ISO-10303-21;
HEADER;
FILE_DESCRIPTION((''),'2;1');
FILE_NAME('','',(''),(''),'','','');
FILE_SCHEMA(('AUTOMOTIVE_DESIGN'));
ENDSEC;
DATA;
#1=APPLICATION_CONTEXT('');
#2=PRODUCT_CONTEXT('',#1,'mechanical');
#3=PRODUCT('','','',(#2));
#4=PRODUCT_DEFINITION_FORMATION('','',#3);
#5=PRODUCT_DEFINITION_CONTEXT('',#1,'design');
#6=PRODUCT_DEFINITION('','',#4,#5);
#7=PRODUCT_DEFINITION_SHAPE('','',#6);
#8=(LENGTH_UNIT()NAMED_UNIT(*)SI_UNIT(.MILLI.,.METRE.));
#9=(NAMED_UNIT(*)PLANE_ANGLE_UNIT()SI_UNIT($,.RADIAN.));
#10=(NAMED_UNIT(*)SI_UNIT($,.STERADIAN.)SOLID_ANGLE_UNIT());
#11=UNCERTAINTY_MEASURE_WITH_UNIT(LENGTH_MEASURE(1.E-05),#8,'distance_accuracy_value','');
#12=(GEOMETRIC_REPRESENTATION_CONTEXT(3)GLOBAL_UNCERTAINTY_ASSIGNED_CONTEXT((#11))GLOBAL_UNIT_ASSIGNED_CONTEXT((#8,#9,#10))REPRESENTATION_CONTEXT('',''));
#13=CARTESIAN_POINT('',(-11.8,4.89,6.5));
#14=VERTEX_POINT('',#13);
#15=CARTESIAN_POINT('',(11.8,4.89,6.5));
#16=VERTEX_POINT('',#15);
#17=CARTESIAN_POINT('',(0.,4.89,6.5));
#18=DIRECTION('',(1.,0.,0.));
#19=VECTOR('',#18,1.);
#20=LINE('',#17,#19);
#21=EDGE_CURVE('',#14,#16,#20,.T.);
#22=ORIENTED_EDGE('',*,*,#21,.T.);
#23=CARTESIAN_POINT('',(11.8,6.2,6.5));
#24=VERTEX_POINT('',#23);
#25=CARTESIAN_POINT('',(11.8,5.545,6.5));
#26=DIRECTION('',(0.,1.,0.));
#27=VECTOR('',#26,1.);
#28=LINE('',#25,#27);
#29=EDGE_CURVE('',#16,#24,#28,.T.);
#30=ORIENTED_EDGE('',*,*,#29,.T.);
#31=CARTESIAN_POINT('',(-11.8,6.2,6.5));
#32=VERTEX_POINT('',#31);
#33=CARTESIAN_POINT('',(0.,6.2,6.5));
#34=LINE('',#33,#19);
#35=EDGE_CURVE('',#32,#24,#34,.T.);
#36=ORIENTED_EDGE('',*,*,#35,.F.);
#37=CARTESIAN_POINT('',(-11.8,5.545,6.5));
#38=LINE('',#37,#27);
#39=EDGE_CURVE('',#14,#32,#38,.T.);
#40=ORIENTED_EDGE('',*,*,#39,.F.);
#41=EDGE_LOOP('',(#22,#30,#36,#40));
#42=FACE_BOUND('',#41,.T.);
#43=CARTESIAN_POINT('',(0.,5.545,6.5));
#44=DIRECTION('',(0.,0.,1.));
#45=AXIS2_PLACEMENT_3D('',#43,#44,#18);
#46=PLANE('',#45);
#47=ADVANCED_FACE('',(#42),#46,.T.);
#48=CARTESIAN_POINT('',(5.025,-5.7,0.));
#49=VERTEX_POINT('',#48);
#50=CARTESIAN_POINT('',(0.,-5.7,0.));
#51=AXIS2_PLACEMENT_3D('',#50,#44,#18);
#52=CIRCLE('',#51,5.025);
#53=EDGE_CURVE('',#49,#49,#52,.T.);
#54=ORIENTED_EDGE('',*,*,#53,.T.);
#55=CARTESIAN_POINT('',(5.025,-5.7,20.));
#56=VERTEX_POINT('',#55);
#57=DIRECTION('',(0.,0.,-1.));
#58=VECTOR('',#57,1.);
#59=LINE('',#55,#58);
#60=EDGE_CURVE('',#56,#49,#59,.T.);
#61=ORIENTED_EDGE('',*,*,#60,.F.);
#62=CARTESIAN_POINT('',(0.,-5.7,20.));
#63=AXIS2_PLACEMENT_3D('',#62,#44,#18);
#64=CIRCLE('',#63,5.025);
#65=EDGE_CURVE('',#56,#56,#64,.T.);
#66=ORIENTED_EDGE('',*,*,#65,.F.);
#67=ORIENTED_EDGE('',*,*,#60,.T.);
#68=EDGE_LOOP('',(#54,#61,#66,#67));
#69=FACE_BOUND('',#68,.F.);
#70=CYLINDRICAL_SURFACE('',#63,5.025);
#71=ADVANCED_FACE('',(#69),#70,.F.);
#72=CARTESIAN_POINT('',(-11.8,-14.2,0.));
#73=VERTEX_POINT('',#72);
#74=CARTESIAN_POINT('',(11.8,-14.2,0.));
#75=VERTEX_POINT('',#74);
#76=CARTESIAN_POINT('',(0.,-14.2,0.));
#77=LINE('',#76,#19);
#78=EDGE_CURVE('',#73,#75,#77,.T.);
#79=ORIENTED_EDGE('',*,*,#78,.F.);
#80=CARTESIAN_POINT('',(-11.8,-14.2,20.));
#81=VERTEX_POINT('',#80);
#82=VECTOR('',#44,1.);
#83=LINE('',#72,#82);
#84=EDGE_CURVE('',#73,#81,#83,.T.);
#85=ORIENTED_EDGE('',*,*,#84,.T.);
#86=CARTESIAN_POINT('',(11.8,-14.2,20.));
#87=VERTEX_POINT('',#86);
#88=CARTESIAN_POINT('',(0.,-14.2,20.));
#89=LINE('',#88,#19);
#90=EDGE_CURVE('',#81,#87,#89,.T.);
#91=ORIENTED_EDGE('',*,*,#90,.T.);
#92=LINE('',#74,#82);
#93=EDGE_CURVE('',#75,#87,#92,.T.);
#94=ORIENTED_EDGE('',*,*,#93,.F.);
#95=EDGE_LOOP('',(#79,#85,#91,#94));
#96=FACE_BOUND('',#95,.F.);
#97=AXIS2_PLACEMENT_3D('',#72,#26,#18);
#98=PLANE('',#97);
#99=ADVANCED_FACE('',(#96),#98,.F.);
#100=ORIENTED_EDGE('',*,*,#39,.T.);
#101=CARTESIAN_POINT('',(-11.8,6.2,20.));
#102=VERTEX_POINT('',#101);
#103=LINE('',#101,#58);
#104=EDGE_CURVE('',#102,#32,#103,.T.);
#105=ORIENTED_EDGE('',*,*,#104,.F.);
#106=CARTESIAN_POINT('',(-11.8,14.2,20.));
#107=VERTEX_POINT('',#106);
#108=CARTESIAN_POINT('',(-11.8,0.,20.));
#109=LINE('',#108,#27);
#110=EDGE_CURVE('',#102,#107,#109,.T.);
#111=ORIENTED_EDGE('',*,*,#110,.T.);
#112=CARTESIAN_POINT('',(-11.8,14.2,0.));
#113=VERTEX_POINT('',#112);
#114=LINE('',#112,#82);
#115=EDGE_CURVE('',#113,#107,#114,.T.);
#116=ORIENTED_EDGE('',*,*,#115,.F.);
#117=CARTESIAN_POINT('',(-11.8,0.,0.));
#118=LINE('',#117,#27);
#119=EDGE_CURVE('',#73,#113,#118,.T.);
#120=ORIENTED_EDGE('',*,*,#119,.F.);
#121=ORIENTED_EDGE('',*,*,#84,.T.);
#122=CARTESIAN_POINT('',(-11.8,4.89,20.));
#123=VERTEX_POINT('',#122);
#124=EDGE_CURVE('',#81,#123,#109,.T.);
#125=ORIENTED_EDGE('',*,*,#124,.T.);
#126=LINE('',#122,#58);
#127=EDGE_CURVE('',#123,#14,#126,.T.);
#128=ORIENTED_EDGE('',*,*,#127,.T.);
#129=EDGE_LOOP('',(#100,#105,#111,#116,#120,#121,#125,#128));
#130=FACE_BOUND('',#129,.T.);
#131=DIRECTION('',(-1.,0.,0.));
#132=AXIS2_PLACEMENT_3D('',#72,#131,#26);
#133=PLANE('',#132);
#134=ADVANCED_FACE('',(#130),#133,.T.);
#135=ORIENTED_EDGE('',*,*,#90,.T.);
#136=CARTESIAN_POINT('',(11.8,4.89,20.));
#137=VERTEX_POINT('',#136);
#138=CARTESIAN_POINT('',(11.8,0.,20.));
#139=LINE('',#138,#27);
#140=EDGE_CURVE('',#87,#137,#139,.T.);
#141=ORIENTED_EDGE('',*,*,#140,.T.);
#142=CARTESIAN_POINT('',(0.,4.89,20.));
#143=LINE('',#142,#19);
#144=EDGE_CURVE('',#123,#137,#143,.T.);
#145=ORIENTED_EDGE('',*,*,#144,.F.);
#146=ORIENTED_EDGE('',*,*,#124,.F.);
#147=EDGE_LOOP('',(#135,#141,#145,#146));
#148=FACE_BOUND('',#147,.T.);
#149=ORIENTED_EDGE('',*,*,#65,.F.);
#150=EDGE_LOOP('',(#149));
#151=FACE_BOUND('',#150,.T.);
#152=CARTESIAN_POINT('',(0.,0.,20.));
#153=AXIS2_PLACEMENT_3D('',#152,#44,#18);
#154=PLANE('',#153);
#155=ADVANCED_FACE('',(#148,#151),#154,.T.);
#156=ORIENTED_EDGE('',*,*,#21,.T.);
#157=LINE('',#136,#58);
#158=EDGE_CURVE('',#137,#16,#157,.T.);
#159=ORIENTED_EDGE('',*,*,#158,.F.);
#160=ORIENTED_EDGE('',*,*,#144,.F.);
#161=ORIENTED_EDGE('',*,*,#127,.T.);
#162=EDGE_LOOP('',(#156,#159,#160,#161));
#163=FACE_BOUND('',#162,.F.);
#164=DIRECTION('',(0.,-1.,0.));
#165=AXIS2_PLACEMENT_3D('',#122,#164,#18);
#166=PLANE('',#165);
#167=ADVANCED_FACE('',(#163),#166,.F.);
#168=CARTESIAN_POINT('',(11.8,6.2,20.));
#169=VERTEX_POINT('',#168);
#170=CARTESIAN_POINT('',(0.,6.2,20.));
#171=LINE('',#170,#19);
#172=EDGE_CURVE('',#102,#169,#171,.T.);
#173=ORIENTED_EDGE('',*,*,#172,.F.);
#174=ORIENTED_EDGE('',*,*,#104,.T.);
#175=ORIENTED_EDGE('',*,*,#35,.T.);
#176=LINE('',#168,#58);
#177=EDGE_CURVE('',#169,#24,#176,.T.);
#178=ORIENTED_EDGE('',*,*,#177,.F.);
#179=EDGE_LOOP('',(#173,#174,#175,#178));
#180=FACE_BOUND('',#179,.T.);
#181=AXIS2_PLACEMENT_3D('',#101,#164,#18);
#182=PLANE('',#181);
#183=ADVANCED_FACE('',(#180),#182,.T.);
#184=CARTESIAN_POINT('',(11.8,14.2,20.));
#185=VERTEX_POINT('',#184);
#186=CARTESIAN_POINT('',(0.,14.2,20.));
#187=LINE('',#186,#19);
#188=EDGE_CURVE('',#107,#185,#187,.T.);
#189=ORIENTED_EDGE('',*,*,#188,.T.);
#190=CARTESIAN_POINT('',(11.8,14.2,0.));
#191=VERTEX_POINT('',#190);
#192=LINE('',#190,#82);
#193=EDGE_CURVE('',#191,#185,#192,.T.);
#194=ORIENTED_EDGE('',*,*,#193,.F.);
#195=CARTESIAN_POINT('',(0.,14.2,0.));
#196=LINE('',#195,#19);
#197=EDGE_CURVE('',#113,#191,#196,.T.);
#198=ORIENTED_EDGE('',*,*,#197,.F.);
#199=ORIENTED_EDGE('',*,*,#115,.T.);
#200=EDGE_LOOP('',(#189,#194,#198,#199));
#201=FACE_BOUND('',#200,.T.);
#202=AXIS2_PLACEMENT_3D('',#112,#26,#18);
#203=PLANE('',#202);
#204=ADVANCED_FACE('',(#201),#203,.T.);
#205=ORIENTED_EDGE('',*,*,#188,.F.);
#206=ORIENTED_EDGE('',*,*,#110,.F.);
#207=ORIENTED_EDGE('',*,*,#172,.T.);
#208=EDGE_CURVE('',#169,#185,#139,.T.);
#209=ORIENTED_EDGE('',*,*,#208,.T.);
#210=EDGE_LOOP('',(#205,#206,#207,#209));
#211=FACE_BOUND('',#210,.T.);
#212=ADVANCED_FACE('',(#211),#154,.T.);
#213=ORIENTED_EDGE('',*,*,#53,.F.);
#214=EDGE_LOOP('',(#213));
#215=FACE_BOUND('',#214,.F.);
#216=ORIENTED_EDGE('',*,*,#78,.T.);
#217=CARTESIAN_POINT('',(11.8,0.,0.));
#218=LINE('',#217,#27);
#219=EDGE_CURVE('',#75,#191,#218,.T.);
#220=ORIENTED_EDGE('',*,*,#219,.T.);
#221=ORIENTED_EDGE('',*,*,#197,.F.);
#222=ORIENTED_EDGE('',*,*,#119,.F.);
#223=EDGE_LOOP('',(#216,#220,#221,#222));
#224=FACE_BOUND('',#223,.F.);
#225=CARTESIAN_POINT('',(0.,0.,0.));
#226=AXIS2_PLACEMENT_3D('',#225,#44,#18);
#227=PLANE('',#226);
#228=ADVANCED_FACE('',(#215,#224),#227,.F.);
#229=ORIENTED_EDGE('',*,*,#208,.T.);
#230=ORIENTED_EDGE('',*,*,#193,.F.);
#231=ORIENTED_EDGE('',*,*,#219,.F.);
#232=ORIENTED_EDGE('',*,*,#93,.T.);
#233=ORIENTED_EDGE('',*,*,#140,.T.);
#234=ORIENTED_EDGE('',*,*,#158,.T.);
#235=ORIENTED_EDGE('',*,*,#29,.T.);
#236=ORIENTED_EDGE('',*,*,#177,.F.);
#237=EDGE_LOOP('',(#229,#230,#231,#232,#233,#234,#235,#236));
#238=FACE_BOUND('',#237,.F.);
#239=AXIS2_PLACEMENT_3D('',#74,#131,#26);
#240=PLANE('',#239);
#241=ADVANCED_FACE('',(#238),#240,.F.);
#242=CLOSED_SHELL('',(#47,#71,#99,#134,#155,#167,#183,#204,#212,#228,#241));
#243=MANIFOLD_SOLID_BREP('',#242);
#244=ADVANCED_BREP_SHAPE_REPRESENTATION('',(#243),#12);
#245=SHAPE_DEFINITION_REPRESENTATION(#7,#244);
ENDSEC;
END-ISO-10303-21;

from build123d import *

# Parameters (mm, degrees)
F0_W     = 23.6
F0_H     = 28.4
F1_DEPTH = 20
F2_W     = 23.6
F2_H     = 1.31
F3_DEPTH = 13.5
F2_R     = 5.025
F4_DEPTH = 20.001


with BuildPart() as f1:
    # F0 (on Top) → F1 (new body)
    with BuildSketch(Plane.XY):
        Rectangle(F0_W, F0_H)
    extrude(amount=F1_DEPTH)

    # F2 (on face) → F3 (cut)
    with BuildSketch(Plane.XY.offset(20)):
        with Locations((0, 5.545)):
            Rectangle(F2_W, F2_H)
    extrude(amount=-F3_DEPTH, mode=Mode.SUBTRACT)

    # F2 (on face) → F4 (cut, through all)
    with BuildSketch(Plane.XY.offset(20)):
        with Locations((0, -5.7)):
            Circle(F2_R)
    extrude(amount=-F4_DEPTH, mode=Mode.SUBTRACT)


solid = f1.part
